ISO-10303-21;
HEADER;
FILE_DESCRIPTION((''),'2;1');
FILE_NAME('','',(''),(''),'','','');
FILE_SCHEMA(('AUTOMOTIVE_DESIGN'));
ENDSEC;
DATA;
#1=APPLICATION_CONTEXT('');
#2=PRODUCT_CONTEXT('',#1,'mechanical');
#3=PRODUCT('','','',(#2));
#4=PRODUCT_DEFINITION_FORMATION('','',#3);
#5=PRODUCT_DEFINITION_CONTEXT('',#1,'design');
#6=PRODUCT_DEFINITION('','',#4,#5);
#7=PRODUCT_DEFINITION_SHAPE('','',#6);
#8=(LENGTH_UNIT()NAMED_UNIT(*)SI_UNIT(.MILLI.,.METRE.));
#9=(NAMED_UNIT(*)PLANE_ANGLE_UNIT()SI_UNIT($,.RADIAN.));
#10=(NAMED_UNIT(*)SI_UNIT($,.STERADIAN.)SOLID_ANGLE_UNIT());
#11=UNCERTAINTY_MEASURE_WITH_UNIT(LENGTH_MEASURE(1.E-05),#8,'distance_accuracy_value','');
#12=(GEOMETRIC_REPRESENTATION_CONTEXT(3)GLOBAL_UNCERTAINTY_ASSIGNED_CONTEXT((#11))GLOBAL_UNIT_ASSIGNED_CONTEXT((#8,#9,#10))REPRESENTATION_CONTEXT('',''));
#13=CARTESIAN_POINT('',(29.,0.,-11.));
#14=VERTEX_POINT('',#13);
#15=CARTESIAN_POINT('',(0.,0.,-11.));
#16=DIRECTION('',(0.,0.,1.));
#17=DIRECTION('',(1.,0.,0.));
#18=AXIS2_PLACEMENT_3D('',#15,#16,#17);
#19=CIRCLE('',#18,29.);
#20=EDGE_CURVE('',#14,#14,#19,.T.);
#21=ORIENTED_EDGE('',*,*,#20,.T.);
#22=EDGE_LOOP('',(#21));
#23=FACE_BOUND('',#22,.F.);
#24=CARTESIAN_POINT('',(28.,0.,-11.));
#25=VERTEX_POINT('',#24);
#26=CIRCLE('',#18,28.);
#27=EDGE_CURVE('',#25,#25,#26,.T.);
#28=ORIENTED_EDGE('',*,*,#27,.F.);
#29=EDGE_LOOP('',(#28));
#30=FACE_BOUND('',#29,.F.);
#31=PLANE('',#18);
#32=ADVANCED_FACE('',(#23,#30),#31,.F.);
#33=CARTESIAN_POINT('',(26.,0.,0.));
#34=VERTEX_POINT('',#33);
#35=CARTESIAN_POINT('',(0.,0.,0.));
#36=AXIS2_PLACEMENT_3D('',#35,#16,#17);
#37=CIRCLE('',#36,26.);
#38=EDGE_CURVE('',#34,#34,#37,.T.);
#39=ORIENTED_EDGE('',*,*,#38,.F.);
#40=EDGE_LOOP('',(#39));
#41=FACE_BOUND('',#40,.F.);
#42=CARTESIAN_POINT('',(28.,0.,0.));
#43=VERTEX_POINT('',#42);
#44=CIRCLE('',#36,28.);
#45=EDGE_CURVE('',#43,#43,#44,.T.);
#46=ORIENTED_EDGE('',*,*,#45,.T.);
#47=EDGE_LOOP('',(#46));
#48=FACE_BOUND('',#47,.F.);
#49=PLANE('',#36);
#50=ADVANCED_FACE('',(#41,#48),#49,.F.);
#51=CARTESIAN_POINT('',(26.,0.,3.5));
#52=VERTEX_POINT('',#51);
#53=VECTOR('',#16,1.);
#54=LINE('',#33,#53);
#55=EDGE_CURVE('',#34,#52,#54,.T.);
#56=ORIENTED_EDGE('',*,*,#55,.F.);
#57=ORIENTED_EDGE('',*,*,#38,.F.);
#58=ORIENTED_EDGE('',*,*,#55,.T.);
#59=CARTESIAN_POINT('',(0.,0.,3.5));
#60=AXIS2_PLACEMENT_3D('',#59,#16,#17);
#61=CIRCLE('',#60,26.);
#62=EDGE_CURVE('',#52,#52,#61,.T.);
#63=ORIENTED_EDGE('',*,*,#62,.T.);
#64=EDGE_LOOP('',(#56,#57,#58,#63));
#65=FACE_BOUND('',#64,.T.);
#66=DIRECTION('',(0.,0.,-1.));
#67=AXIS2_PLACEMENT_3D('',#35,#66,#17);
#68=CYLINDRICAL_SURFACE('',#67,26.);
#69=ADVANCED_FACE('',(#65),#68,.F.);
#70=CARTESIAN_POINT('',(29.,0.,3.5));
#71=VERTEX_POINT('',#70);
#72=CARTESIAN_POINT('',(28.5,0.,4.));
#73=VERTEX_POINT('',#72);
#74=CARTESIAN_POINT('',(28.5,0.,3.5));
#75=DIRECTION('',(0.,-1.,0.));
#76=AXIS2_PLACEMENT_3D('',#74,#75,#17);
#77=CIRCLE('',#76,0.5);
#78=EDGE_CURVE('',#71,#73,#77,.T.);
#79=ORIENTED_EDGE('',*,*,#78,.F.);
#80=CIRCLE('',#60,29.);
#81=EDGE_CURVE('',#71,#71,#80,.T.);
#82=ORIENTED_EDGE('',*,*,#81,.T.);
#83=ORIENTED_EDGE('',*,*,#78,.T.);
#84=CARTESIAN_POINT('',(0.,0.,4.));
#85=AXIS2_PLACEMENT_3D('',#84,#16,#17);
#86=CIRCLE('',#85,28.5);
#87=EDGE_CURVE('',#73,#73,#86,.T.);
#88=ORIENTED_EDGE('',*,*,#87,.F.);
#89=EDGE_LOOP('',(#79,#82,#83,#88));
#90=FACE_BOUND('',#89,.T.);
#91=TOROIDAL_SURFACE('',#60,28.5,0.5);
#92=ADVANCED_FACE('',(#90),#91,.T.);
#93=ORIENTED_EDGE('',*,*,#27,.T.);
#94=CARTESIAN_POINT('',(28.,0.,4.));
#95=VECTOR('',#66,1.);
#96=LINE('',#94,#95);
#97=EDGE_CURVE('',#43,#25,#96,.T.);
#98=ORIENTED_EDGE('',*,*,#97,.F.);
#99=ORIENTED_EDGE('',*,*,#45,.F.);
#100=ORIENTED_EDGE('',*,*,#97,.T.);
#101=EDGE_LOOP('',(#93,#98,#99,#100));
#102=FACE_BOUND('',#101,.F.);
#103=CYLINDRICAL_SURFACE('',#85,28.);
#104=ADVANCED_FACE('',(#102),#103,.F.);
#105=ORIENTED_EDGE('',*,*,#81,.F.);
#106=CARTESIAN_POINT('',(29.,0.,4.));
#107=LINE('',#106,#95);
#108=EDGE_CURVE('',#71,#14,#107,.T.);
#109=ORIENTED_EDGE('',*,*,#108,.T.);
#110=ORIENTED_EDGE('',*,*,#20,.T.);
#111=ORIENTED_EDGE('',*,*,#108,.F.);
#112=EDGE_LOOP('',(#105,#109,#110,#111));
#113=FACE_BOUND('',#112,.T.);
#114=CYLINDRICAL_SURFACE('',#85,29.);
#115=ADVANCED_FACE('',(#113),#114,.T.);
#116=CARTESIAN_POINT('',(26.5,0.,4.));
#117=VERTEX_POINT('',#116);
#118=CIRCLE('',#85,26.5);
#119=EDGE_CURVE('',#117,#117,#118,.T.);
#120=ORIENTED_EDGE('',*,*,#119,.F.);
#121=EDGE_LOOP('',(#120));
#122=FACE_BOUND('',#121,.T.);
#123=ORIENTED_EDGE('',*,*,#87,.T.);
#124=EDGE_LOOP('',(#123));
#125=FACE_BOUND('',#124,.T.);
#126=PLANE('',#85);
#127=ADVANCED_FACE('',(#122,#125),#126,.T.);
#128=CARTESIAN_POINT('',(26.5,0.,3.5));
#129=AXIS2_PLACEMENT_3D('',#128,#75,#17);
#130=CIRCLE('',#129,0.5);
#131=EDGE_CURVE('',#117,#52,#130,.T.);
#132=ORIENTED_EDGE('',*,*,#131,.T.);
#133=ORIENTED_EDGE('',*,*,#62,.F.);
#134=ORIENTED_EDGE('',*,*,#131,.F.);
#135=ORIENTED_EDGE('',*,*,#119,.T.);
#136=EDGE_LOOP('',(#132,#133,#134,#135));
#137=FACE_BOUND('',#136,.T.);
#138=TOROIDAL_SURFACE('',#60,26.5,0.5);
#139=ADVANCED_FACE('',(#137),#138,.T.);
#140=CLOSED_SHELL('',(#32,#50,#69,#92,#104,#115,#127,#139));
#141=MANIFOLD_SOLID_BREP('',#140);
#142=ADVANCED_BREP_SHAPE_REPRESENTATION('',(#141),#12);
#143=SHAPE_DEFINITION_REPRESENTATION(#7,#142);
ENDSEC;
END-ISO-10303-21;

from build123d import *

# Parameters (mm, degrees)
F0_R     = 28
F0_R_2   = 26
F1_DEPTH = 4
F2_R     = 29
F2_R_2   = 28
F3_DEPTH = 15
F4_R     = 0.5


with BuildPart() as f1:
    # F0 (on Top) → F1 (new body)
    with BuildSketch(Plane.XY):
        Circle(F0_R)
        Circle(F0_R_2, mode=Mode.SUBTRACT)
    extrude(amount=F1_DEPTH)

    # F2 (on face) → F3 (join)
    with BuildSketch(Plane.XY.offset(4)):
        Circle(F2_R)
        Circle(F2_R_2, mode=Mode.SUBTRACT)
    extrude(amount=-F3_DEPTH)

    # F4
    f4_edges = [f1.edges().sort_by_distance(p)[0] for p in [
        (-26, 0, 4),
        (-29, 0, 4),
    ]]
    fillet(f4_edges, radius=F4_R)


solid = f1.part
